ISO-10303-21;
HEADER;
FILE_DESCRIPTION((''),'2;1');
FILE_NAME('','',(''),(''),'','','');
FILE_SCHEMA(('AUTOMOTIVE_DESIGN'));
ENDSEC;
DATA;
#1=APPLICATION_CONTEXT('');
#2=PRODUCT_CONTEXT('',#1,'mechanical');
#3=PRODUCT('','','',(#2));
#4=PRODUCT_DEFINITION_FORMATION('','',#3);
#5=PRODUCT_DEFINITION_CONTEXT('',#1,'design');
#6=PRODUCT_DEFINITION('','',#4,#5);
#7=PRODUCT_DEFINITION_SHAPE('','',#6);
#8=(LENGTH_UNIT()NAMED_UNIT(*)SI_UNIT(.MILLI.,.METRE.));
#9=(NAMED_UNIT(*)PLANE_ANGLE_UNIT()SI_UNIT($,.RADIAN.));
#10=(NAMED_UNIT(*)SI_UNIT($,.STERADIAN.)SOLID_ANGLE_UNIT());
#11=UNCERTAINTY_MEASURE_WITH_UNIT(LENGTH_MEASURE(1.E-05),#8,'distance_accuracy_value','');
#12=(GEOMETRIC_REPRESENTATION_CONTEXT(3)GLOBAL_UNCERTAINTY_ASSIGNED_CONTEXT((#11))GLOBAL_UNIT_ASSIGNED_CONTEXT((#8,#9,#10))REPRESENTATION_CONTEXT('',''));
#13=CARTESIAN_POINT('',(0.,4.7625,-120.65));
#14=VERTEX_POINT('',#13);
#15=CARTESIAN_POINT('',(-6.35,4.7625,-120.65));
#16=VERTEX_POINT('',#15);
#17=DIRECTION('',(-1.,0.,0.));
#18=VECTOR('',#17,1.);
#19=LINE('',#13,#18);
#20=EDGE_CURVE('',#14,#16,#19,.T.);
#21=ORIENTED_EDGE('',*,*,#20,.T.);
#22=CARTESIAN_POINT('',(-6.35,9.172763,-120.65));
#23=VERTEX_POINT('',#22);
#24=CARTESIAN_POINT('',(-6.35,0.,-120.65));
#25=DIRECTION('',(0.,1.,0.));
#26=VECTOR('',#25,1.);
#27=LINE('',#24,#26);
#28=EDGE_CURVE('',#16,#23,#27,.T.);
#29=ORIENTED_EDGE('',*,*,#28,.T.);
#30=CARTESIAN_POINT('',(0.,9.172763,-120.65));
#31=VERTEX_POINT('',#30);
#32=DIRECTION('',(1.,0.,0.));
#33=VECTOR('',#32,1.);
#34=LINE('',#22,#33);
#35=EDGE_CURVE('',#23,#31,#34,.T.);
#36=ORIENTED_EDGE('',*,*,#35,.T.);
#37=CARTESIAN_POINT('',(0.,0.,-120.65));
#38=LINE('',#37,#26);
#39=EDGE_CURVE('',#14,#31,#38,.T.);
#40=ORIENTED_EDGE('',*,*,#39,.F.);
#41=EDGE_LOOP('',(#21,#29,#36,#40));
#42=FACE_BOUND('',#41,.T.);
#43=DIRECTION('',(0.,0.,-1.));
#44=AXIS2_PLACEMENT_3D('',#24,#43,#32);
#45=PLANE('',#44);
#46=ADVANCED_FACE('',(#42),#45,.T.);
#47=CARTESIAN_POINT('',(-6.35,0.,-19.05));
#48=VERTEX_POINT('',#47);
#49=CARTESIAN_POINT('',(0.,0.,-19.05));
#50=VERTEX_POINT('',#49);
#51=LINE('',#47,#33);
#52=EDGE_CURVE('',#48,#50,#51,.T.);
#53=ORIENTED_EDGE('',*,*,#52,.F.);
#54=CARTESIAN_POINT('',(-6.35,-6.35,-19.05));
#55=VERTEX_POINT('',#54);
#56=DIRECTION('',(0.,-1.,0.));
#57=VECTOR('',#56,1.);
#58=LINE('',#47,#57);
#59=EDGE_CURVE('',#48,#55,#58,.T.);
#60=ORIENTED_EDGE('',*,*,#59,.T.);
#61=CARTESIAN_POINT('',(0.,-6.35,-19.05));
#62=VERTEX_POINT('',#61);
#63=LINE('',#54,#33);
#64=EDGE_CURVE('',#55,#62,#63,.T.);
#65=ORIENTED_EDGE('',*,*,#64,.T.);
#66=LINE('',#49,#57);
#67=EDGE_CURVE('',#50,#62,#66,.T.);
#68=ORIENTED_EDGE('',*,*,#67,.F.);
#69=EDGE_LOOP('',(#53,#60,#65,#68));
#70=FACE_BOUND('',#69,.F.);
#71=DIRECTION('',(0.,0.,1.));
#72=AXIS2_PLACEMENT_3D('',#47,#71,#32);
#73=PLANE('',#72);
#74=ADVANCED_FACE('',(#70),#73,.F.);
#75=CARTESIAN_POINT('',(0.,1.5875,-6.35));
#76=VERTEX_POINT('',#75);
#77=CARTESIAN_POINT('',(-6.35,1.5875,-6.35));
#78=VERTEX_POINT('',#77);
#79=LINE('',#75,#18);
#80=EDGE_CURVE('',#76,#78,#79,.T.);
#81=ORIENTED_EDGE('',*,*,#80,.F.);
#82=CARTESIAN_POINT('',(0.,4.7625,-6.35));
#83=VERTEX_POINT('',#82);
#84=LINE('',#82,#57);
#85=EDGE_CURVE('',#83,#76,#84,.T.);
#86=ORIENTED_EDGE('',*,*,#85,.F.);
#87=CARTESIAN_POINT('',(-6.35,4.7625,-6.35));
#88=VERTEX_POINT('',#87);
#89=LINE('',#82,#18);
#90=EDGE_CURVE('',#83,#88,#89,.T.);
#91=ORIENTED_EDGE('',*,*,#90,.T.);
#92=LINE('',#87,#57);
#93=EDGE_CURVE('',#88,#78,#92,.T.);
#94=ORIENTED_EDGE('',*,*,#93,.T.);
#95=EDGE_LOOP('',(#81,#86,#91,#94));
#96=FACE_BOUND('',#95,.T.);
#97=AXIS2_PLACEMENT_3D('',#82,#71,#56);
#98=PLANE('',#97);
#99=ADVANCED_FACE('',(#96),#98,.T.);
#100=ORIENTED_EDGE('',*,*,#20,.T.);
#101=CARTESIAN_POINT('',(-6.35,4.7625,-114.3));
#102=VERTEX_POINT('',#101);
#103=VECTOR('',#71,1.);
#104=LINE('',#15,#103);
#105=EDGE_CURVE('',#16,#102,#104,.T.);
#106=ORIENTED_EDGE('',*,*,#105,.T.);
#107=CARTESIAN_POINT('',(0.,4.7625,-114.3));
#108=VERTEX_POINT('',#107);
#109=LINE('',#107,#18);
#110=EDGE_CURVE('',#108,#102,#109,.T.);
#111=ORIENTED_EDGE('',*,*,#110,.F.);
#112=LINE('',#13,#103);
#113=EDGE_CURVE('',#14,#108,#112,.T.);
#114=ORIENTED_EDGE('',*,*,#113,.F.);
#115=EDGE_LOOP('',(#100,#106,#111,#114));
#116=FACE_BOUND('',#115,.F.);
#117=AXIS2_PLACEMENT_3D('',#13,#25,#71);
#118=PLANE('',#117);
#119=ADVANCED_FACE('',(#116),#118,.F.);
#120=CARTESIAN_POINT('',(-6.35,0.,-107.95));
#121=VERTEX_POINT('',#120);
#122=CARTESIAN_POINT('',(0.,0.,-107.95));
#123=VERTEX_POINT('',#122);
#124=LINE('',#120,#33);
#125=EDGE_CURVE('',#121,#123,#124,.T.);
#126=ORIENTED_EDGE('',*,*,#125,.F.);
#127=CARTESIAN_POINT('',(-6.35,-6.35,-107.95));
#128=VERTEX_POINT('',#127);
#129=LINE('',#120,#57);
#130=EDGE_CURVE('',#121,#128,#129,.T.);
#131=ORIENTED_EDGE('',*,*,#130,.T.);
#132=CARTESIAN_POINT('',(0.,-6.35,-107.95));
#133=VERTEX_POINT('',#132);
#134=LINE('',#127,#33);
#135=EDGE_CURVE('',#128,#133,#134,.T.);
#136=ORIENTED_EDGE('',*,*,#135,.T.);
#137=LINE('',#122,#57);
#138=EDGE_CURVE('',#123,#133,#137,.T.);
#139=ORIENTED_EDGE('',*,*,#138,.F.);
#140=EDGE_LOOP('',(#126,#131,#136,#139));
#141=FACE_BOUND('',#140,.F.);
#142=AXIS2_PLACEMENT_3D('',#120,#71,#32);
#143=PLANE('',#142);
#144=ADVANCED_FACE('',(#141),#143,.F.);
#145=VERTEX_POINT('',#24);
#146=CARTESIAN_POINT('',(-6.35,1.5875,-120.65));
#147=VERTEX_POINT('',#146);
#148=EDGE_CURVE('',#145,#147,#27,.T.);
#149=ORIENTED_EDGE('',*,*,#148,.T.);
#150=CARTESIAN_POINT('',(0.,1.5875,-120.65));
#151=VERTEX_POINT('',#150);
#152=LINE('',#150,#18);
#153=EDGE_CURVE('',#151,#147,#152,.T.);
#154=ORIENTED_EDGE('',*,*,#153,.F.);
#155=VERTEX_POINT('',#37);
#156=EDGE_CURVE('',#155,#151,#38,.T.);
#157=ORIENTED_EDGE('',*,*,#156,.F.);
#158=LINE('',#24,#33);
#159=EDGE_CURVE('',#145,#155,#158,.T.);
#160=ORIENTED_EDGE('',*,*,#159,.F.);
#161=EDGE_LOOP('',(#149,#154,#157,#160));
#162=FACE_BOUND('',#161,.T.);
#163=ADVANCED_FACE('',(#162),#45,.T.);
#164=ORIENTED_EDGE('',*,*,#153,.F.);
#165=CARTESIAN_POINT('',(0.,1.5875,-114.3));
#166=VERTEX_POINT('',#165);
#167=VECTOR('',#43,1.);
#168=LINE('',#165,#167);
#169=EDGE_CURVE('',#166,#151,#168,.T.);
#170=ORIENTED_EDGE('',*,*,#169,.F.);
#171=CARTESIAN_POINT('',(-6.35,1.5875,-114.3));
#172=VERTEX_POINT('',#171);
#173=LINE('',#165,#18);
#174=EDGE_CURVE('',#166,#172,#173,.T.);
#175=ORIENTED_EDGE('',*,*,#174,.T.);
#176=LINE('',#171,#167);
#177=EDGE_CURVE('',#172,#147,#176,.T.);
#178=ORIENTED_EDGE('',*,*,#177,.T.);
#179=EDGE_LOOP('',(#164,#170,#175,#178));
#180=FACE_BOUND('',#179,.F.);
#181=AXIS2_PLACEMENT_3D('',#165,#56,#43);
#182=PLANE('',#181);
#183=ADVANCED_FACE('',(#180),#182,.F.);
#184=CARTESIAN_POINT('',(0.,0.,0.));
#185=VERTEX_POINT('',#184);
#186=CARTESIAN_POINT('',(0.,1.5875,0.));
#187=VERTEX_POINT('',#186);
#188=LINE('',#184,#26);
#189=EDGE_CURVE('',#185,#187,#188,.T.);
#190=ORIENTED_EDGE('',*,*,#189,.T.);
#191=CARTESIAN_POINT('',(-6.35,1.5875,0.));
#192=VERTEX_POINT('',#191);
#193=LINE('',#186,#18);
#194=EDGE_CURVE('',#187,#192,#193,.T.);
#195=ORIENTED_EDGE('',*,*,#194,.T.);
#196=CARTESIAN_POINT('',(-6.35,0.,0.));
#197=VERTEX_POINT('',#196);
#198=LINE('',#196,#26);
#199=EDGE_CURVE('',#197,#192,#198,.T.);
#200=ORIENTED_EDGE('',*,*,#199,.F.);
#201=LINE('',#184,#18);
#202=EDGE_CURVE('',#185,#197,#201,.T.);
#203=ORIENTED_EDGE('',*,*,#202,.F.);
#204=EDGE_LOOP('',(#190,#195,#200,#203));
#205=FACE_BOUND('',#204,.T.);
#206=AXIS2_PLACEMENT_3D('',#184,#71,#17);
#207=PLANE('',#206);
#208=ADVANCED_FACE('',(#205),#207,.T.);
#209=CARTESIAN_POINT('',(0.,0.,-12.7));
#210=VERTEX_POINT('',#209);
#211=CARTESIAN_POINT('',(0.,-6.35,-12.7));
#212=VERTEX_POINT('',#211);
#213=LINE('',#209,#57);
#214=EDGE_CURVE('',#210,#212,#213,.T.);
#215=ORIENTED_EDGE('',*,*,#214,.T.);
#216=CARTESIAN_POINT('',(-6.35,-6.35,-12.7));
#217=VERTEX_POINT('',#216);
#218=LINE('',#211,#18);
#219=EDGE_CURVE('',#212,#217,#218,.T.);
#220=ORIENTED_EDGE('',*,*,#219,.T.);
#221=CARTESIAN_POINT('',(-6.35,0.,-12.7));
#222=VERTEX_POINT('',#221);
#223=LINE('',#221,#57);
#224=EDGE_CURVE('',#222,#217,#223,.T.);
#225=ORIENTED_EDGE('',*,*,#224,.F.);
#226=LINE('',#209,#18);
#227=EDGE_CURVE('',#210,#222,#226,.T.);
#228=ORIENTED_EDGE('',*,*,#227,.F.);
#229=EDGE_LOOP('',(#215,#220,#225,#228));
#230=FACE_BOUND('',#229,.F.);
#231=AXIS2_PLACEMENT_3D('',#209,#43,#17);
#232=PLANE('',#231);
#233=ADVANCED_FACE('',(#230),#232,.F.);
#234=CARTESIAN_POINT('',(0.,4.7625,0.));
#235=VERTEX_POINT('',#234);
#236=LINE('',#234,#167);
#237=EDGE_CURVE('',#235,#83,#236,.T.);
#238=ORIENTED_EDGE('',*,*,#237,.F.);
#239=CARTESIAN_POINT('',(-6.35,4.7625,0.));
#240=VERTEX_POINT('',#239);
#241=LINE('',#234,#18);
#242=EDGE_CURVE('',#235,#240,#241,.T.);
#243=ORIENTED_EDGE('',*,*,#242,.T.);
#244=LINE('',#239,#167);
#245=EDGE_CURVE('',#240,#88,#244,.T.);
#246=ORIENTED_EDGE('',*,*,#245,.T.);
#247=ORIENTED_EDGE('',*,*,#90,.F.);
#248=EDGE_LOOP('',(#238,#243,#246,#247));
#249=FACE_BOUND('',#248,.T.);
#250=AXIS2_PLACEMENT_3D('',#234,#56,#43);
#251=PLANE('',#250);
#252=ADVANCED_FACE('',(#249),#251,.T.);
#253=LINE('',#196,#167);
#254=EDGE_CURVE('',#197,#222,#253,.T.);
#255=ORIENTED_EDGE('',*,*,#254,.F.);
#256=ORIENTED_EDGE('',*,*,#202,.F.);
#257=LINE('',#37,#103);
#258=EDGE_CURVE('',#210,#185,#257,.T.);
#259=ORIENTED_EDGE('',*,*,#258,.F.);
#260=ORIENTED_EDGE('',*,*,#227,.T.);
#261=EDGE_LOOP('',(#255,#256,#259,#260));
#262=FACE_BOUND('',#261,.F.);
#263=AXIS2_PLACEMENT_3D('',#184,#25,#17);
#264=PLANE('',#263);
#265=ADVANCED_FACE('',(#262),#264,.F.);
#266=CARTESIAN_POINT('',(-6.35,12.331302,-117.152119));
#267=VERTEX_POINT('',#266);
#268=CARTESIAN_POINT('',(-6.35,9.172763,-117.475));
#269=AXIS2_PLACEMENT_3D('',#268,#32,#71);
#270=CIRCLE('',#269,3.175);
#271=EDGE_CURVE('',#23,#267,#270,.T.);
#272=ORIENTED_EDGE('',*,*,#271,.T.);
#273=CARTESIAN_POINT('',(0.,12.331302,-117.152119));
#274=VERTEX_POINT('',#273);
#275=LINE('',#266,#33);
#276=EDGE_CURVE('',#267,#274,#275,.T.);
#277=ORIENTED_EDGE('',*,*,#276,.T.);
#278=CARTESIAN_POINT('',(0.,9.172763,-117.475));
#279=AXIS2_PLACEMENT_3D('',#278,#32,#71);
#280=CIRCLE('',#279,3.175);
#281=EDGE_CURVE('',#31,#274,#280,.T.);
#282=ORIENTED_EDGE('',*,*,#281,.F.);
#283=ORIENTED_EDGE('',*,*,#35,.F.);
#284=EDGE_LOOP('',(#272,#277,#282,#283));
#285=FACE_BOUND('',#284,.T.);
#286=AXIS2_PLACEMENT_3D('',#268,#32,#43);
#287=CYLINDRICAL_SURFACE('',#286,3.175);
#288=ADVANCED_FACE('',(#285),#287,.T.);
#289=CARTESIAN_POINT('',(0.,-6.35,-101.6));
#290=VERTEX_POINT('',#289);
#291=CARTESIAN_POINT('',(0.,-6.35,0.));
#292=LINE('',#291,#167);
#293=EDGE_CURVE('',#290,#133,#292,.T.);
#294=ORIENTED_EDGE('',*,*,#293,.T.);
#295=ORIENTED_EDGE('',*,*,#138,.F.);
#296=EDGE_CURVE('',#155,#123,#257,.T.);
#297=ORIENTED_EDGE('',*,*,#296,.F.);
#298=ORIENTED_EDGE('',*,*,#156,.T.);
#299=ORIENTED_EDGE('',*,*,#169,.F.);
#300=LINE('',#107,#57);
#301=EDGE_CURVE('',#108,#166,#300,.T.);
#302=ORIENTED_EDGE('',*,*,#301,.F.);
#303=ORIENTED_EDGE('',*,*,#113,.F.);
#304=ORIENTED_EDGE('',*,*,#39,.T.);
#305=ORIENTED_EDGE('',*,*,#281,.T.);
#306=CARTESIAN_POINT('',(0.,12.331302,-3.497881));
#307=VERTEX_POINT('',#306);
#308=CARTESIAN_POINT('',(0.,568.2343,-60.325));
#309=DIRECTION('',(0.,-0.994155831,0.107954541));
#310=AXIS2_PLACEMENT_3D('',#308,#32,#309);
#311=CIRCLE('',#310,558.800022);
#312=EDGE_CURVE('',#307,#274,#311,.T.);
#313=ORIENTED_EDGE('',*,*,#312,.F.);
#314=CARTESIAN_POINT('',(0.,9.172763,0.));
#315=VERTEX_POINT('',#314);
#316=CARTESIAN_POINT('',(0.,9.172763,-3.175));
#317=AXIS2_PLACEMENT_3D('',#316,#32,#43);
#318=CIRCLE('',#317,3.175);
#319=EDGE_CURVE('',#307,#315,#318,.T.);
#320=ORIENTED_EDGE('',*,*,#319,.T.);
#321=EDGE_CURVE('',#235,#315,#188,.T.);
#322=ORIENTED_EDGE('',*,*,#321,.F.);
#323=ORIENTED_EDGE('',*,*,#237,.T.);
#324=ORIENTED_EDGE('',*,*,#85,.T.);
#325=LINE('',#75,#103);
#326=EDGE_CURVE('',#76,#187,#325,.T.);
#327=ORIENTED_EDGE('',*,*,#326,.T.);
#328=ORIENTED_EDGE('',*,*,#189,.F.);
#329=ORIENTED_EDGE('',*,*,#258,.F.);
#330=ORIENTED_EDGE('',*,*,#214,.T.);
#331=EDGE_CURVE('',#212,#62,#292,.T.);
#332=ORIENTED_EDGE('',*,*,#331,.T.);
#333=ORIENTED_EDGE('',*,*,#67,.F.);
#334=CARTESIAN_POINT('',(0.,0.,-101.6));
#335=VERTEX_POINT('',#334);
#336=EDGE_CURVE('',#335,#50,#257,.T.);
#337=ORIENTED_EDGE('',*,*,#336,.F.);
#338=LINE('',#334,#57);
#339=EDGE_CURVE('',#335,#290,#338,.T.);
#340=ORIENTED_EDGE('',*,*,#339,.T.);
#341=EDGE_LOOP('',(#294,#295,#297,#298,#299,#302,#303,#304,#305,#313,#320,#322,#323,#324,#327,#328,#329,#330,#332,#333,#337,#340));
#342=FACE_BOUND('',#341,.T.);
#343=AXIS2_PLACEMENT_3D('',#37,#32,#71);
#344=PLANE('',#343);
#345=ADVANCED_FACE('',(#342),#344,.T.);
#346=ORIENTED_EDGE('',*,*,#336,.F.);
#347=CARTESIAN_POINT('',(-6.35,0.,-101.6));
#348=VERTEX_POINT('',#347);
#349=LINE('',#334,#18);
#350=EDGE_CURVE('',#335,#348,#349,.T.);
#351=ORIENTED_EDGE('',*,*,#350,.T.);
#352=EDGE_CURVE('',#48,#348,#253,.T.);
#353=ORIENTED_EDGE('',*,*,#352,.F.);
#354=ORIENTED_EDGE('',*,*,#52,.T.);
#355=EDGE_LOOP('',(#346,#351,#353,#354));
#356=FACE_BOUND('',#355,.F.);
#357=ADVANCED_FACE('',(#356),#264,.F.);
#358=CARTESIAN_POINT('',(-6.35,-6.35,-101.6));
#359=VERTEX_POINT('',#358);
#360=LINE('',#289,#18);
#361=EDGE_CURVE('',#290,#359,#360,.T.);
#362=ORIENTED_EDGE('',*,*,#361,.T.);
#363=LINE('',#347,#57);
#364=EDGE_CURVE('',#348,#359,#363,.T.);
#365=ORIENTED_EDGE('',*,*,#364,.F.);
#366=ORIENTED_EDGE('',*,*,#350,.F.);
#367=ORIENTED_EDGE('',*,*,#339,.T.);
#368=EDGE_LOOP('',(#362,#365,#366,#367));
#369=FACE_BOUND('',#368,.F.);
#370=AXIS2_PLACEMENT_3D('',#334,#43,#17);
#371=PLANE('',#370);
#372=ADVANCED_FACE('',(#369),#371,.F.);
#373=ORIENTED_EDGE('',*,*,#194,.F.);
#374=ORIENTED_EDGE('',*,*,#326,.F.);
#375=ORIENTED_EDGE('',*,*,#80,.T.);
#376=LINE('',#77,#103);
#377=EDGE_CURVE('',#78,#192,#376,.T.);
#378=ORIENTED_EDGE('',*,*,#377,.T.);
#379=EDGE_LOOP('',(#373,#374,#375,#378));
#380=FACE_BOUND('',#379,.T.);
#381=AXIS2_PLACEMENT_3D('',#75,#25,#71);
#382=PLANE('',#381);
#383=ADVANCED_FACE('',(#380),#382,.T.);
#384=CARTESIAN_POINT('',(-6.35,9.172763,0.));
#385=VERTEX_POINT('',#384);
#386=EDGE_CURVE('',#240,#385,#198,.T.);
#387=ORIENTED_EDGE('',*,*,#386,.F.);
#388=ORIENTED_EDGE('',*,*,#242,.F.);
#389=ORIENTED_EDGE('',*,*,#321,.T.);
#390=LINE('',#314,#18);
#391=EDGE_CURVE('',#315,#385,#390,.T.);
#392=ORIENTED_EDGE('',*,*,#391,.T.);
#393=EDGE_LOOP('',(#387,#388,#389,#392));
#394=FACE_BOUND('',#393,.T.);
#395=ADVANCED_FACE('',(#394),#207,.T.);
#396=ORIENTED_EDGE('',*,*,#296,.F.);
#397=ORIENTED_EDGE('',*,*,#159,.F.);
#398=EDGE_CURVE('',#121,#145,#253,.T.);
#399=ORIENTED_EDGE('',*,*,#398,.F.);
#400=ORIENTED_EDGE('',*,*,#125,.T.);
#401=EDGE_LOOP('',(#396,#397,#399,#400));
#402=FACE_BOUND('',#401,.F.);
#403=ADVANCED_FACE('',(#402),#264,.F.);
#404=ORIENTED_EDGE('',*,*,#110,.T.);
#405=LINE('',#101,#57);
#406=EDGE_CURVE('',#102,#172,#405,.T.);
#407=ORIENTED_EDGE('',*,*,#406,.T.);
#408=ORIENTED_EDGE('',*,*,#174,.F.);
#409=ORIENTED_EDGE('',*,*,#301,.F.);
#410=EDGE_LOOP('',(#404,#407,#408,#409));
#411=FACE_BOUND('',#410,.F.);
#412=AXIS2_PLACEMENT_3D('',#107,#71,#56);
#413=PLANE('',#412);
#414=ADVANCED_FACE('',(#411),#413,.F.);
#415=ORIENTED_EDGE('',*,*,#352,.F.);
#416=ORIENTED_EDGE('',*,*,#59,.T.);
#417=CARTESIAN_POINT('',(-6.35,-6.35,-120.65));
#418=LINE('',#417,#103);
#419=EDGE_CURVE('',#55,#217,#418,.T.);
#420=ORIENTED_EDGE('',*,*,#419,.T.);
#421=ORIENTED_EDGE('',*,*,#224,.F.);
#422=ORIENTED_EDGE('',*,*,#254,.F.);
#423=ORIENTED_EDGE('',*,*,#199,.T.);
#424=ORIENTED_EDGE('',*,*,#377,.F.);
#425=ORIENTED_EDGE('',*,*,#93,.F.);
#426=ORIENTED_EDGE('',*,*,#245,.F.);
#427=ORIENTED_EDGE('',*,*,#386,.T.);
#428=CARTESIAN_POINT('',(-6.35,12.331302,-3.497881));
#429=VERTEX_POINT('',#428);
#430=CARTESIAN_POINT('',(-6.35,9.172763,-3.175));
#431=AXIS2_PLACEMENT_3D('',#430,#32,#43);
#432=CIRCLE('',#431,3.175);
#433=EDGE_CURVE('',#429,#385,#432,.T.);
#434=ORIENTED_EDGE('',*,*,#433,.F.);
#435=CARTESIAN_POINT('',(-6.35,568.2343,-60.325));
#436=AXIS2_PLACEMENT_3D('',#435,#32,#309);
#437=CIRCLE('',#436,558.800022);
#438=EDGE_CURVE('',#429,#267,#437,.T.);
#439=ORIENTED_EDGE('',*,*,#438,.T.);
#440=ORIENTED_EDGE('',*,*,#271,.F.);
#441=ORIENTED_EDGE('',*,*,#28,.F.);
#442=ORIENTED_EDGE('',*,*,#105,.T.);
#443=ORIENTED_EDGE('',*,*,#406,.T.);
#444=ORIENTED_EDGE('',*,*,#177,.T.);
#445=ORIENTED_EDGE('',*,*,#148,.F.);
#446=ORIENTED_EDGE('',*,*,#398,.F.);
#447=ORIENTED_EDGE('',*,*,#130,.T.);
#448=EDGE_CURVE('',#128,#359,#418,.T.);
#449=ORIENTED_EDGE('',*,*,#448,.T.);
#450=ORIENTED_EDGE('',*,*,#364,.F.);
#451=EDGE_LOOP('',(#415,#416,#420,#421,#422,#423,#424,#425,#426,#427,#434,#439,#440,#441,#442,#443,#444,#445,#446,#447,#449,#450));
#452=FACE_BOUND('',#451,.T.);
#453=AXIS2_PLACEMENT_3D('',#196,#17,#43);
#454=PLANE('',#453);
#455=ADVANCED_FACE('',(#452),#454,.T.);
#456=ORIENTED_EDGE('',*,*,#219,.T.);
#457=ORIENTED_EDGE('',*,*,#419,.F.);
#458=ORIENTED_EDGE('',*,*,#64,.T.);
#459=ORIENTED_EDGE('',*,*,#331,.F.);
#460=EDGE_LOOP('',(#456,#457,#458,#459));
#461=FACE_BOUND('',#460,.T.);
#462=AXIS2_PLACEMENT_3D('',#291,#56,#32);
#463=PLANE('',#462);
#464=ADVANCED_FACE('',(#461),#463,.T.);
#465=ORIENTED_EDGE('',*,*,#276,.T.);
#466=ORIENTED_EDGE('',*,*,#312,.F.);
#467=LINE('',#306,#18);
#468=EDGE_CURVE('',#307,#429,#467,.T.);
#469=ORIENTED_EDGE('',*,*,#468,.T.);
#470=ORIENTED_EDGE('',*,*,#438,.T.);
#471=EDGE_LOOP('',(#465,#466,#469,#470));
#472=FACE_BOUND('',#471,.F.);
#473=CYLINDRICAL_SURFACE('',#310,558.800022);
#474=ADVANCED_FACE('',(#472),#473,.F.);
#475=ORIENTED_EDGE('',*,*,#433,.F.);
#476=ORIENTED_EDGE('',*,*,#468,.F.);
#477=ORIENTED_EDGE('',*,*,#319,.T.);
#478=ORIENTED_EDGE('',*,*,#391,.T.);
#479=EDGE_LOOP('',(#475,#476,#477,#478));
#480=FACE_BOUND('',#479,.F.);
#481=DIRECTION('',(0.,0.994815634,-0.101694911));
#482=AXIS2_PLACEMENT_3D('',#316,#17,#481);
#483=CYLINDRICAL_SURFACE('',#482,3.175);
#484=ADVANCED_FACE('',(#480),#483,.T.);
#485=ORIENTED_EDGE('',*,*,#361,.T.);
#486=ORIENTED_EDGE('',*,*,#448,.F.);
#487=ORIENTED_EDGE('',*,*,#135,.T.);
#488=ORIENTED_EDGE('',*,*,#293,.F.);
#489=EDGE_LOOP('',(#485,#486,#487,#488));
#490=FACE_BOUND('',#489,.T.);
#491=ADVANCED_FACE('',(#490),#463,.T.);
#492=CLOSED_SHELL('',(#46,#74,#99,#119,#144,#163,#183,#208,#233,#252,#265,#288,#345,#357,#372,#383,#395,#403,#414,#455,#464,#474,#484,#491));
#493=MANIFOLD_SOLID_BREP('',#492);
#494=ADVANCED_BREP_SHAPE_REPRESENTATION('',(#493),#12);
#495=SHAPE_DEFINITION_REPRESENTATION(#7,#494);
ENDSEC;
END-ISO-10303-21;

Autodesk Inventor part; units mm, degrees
ref_plane "YZ Plane" through (0, 0, 0) normal (1, 0, 0) x (0, 1, 0)
ref_plane "XZ Plane" through (0, 0, 0) normal (0, 1, 0) x (-1, 0, 0)
ref_plane "XY Plane" through (0, 0, 0) normal (0, 0, 1) x (1, 0, 0)
sketch "Sketch1" plane through (0, 0, 0) normal (0, 1, 0) x (-1, 0, 0)
  line L0 (0, 0) -> (6.35, 0)
  line L1 (6.35, 0) -> (6.35, -120.65)
  line L2 (6.35, -120.65) -> (0, -120.65)
  line L3 (0, -120.65) -> (0, 0)
  dimension "d0" = 120.65
  dimension "d1" = 6.35
extrude "Extrusion1" add sketch "Sketch1" along normal blind 12.7
sketch "Sketch2" plane through (0, 0, 0) normal (0, -1, 0) x (1, 0, 0)
  line L0 (0, 0) -> (0, -120.65) projected
  line L1 (-6.35, -120.65) -> (-6.35, 0) projected
  line L2 (0, -12.7) -> (-6.35, -12.7)
  line L3 (-6.35, -12.7) -> (-6.35, -19.05)
  line L4 (-6.35, -19.05) -> (0, -19.05)
  line L5 (0, -19.05) -> (0, -12.7)
  line L6 (0, -101.6) -> (-6.35, -101.6)
  line L7 (-6.35, -101.6) -> (-6.35, -107.95)
  line L8 (-6.35, -107.95) -> (0, -107.95)
  line L9 (0, -107.95) -> (0, -101.6)
  line L10 (-6.35, -120.65) -> (0, -120.65) projected
  line L11 (0, 0) -> (-6.35, 0) projected
  dimension "d4" = 6.35
  dimension "d5" = 12.7
  dimension "d6" = 12.7
  dimension "d7" = 6.35
extrude "Extrusion2" add sketch "Sketch2" along normal blind 6.35 contours L0 L4 L1 L2 | L0 L8 L1 L6
sketch "Sketch3" plane through (0, 0, -120.65) normal (1, 0, 0) x (0, 0, -1)
  line L0 (-120.65, 0) -> (-120.65, 12.7) projected
  line L1 (-120.65, 4.7625) -> (-114.3, 4.7625)
  line L2 (-114.3, 4.7625) -> (-114.3, 1.5875)
  line L3 (-114.3, 1.5875) -> (-120.65, 1.5875)
  line L4 (-120.65, 1.5875) -> (-120.65, 4.7625)
  line L5 (0, 0) -> (0, 12.7) projected
  line L6 (0, 4.7625) -> (-6.35, 4.7625)
  line L7 (-6.35, 4.7625) -> (-6.35, 1.5875)
  line L8 (-6.35, 1.5875) -> (0, 1.5875)
  line L9 (0, 1.5875) -> (0, 4.7625)
  line L10 (-107.95, 0) -> (-120.65, 0) projected
  dimension "d10" = 6.35
  dimension "d11" = 3.175
  dimension "d12" = 1.5875
  dimension "d13" = 6.35
extrude "Extrusion3" cut sketch "Sketch3" against normal blind 6.35
sketch "Sketch4" plane through (0, 12.7, 0) normal (1, 0, 0) x (0, 0, -1)
  line L0 (0, -7.9375) -> (0, 0) projected
  line L1 (120.65, -7.9375) -> (120.65, 0) projected
  arc A0 (0, 0) -> (120.65, 0) centre (60.325, 555.5343) ccw
  line L2 (120.65, 0) -> (0, 0) projected
  line L3 (0, 0) -> (120.65, 0)
  point P0 (0, -12.7)
  dimension "d16" = 558.8
extrude "Extrusion4" cut sketch "Sketch4" against normal blind 6.35
fillet "Fillet1" radius 3.175 2 edges at (-3.175, 12.7, 0) (-3.175, 12.7, -120.65)
properties part number "MonsterHolderSupport2"
